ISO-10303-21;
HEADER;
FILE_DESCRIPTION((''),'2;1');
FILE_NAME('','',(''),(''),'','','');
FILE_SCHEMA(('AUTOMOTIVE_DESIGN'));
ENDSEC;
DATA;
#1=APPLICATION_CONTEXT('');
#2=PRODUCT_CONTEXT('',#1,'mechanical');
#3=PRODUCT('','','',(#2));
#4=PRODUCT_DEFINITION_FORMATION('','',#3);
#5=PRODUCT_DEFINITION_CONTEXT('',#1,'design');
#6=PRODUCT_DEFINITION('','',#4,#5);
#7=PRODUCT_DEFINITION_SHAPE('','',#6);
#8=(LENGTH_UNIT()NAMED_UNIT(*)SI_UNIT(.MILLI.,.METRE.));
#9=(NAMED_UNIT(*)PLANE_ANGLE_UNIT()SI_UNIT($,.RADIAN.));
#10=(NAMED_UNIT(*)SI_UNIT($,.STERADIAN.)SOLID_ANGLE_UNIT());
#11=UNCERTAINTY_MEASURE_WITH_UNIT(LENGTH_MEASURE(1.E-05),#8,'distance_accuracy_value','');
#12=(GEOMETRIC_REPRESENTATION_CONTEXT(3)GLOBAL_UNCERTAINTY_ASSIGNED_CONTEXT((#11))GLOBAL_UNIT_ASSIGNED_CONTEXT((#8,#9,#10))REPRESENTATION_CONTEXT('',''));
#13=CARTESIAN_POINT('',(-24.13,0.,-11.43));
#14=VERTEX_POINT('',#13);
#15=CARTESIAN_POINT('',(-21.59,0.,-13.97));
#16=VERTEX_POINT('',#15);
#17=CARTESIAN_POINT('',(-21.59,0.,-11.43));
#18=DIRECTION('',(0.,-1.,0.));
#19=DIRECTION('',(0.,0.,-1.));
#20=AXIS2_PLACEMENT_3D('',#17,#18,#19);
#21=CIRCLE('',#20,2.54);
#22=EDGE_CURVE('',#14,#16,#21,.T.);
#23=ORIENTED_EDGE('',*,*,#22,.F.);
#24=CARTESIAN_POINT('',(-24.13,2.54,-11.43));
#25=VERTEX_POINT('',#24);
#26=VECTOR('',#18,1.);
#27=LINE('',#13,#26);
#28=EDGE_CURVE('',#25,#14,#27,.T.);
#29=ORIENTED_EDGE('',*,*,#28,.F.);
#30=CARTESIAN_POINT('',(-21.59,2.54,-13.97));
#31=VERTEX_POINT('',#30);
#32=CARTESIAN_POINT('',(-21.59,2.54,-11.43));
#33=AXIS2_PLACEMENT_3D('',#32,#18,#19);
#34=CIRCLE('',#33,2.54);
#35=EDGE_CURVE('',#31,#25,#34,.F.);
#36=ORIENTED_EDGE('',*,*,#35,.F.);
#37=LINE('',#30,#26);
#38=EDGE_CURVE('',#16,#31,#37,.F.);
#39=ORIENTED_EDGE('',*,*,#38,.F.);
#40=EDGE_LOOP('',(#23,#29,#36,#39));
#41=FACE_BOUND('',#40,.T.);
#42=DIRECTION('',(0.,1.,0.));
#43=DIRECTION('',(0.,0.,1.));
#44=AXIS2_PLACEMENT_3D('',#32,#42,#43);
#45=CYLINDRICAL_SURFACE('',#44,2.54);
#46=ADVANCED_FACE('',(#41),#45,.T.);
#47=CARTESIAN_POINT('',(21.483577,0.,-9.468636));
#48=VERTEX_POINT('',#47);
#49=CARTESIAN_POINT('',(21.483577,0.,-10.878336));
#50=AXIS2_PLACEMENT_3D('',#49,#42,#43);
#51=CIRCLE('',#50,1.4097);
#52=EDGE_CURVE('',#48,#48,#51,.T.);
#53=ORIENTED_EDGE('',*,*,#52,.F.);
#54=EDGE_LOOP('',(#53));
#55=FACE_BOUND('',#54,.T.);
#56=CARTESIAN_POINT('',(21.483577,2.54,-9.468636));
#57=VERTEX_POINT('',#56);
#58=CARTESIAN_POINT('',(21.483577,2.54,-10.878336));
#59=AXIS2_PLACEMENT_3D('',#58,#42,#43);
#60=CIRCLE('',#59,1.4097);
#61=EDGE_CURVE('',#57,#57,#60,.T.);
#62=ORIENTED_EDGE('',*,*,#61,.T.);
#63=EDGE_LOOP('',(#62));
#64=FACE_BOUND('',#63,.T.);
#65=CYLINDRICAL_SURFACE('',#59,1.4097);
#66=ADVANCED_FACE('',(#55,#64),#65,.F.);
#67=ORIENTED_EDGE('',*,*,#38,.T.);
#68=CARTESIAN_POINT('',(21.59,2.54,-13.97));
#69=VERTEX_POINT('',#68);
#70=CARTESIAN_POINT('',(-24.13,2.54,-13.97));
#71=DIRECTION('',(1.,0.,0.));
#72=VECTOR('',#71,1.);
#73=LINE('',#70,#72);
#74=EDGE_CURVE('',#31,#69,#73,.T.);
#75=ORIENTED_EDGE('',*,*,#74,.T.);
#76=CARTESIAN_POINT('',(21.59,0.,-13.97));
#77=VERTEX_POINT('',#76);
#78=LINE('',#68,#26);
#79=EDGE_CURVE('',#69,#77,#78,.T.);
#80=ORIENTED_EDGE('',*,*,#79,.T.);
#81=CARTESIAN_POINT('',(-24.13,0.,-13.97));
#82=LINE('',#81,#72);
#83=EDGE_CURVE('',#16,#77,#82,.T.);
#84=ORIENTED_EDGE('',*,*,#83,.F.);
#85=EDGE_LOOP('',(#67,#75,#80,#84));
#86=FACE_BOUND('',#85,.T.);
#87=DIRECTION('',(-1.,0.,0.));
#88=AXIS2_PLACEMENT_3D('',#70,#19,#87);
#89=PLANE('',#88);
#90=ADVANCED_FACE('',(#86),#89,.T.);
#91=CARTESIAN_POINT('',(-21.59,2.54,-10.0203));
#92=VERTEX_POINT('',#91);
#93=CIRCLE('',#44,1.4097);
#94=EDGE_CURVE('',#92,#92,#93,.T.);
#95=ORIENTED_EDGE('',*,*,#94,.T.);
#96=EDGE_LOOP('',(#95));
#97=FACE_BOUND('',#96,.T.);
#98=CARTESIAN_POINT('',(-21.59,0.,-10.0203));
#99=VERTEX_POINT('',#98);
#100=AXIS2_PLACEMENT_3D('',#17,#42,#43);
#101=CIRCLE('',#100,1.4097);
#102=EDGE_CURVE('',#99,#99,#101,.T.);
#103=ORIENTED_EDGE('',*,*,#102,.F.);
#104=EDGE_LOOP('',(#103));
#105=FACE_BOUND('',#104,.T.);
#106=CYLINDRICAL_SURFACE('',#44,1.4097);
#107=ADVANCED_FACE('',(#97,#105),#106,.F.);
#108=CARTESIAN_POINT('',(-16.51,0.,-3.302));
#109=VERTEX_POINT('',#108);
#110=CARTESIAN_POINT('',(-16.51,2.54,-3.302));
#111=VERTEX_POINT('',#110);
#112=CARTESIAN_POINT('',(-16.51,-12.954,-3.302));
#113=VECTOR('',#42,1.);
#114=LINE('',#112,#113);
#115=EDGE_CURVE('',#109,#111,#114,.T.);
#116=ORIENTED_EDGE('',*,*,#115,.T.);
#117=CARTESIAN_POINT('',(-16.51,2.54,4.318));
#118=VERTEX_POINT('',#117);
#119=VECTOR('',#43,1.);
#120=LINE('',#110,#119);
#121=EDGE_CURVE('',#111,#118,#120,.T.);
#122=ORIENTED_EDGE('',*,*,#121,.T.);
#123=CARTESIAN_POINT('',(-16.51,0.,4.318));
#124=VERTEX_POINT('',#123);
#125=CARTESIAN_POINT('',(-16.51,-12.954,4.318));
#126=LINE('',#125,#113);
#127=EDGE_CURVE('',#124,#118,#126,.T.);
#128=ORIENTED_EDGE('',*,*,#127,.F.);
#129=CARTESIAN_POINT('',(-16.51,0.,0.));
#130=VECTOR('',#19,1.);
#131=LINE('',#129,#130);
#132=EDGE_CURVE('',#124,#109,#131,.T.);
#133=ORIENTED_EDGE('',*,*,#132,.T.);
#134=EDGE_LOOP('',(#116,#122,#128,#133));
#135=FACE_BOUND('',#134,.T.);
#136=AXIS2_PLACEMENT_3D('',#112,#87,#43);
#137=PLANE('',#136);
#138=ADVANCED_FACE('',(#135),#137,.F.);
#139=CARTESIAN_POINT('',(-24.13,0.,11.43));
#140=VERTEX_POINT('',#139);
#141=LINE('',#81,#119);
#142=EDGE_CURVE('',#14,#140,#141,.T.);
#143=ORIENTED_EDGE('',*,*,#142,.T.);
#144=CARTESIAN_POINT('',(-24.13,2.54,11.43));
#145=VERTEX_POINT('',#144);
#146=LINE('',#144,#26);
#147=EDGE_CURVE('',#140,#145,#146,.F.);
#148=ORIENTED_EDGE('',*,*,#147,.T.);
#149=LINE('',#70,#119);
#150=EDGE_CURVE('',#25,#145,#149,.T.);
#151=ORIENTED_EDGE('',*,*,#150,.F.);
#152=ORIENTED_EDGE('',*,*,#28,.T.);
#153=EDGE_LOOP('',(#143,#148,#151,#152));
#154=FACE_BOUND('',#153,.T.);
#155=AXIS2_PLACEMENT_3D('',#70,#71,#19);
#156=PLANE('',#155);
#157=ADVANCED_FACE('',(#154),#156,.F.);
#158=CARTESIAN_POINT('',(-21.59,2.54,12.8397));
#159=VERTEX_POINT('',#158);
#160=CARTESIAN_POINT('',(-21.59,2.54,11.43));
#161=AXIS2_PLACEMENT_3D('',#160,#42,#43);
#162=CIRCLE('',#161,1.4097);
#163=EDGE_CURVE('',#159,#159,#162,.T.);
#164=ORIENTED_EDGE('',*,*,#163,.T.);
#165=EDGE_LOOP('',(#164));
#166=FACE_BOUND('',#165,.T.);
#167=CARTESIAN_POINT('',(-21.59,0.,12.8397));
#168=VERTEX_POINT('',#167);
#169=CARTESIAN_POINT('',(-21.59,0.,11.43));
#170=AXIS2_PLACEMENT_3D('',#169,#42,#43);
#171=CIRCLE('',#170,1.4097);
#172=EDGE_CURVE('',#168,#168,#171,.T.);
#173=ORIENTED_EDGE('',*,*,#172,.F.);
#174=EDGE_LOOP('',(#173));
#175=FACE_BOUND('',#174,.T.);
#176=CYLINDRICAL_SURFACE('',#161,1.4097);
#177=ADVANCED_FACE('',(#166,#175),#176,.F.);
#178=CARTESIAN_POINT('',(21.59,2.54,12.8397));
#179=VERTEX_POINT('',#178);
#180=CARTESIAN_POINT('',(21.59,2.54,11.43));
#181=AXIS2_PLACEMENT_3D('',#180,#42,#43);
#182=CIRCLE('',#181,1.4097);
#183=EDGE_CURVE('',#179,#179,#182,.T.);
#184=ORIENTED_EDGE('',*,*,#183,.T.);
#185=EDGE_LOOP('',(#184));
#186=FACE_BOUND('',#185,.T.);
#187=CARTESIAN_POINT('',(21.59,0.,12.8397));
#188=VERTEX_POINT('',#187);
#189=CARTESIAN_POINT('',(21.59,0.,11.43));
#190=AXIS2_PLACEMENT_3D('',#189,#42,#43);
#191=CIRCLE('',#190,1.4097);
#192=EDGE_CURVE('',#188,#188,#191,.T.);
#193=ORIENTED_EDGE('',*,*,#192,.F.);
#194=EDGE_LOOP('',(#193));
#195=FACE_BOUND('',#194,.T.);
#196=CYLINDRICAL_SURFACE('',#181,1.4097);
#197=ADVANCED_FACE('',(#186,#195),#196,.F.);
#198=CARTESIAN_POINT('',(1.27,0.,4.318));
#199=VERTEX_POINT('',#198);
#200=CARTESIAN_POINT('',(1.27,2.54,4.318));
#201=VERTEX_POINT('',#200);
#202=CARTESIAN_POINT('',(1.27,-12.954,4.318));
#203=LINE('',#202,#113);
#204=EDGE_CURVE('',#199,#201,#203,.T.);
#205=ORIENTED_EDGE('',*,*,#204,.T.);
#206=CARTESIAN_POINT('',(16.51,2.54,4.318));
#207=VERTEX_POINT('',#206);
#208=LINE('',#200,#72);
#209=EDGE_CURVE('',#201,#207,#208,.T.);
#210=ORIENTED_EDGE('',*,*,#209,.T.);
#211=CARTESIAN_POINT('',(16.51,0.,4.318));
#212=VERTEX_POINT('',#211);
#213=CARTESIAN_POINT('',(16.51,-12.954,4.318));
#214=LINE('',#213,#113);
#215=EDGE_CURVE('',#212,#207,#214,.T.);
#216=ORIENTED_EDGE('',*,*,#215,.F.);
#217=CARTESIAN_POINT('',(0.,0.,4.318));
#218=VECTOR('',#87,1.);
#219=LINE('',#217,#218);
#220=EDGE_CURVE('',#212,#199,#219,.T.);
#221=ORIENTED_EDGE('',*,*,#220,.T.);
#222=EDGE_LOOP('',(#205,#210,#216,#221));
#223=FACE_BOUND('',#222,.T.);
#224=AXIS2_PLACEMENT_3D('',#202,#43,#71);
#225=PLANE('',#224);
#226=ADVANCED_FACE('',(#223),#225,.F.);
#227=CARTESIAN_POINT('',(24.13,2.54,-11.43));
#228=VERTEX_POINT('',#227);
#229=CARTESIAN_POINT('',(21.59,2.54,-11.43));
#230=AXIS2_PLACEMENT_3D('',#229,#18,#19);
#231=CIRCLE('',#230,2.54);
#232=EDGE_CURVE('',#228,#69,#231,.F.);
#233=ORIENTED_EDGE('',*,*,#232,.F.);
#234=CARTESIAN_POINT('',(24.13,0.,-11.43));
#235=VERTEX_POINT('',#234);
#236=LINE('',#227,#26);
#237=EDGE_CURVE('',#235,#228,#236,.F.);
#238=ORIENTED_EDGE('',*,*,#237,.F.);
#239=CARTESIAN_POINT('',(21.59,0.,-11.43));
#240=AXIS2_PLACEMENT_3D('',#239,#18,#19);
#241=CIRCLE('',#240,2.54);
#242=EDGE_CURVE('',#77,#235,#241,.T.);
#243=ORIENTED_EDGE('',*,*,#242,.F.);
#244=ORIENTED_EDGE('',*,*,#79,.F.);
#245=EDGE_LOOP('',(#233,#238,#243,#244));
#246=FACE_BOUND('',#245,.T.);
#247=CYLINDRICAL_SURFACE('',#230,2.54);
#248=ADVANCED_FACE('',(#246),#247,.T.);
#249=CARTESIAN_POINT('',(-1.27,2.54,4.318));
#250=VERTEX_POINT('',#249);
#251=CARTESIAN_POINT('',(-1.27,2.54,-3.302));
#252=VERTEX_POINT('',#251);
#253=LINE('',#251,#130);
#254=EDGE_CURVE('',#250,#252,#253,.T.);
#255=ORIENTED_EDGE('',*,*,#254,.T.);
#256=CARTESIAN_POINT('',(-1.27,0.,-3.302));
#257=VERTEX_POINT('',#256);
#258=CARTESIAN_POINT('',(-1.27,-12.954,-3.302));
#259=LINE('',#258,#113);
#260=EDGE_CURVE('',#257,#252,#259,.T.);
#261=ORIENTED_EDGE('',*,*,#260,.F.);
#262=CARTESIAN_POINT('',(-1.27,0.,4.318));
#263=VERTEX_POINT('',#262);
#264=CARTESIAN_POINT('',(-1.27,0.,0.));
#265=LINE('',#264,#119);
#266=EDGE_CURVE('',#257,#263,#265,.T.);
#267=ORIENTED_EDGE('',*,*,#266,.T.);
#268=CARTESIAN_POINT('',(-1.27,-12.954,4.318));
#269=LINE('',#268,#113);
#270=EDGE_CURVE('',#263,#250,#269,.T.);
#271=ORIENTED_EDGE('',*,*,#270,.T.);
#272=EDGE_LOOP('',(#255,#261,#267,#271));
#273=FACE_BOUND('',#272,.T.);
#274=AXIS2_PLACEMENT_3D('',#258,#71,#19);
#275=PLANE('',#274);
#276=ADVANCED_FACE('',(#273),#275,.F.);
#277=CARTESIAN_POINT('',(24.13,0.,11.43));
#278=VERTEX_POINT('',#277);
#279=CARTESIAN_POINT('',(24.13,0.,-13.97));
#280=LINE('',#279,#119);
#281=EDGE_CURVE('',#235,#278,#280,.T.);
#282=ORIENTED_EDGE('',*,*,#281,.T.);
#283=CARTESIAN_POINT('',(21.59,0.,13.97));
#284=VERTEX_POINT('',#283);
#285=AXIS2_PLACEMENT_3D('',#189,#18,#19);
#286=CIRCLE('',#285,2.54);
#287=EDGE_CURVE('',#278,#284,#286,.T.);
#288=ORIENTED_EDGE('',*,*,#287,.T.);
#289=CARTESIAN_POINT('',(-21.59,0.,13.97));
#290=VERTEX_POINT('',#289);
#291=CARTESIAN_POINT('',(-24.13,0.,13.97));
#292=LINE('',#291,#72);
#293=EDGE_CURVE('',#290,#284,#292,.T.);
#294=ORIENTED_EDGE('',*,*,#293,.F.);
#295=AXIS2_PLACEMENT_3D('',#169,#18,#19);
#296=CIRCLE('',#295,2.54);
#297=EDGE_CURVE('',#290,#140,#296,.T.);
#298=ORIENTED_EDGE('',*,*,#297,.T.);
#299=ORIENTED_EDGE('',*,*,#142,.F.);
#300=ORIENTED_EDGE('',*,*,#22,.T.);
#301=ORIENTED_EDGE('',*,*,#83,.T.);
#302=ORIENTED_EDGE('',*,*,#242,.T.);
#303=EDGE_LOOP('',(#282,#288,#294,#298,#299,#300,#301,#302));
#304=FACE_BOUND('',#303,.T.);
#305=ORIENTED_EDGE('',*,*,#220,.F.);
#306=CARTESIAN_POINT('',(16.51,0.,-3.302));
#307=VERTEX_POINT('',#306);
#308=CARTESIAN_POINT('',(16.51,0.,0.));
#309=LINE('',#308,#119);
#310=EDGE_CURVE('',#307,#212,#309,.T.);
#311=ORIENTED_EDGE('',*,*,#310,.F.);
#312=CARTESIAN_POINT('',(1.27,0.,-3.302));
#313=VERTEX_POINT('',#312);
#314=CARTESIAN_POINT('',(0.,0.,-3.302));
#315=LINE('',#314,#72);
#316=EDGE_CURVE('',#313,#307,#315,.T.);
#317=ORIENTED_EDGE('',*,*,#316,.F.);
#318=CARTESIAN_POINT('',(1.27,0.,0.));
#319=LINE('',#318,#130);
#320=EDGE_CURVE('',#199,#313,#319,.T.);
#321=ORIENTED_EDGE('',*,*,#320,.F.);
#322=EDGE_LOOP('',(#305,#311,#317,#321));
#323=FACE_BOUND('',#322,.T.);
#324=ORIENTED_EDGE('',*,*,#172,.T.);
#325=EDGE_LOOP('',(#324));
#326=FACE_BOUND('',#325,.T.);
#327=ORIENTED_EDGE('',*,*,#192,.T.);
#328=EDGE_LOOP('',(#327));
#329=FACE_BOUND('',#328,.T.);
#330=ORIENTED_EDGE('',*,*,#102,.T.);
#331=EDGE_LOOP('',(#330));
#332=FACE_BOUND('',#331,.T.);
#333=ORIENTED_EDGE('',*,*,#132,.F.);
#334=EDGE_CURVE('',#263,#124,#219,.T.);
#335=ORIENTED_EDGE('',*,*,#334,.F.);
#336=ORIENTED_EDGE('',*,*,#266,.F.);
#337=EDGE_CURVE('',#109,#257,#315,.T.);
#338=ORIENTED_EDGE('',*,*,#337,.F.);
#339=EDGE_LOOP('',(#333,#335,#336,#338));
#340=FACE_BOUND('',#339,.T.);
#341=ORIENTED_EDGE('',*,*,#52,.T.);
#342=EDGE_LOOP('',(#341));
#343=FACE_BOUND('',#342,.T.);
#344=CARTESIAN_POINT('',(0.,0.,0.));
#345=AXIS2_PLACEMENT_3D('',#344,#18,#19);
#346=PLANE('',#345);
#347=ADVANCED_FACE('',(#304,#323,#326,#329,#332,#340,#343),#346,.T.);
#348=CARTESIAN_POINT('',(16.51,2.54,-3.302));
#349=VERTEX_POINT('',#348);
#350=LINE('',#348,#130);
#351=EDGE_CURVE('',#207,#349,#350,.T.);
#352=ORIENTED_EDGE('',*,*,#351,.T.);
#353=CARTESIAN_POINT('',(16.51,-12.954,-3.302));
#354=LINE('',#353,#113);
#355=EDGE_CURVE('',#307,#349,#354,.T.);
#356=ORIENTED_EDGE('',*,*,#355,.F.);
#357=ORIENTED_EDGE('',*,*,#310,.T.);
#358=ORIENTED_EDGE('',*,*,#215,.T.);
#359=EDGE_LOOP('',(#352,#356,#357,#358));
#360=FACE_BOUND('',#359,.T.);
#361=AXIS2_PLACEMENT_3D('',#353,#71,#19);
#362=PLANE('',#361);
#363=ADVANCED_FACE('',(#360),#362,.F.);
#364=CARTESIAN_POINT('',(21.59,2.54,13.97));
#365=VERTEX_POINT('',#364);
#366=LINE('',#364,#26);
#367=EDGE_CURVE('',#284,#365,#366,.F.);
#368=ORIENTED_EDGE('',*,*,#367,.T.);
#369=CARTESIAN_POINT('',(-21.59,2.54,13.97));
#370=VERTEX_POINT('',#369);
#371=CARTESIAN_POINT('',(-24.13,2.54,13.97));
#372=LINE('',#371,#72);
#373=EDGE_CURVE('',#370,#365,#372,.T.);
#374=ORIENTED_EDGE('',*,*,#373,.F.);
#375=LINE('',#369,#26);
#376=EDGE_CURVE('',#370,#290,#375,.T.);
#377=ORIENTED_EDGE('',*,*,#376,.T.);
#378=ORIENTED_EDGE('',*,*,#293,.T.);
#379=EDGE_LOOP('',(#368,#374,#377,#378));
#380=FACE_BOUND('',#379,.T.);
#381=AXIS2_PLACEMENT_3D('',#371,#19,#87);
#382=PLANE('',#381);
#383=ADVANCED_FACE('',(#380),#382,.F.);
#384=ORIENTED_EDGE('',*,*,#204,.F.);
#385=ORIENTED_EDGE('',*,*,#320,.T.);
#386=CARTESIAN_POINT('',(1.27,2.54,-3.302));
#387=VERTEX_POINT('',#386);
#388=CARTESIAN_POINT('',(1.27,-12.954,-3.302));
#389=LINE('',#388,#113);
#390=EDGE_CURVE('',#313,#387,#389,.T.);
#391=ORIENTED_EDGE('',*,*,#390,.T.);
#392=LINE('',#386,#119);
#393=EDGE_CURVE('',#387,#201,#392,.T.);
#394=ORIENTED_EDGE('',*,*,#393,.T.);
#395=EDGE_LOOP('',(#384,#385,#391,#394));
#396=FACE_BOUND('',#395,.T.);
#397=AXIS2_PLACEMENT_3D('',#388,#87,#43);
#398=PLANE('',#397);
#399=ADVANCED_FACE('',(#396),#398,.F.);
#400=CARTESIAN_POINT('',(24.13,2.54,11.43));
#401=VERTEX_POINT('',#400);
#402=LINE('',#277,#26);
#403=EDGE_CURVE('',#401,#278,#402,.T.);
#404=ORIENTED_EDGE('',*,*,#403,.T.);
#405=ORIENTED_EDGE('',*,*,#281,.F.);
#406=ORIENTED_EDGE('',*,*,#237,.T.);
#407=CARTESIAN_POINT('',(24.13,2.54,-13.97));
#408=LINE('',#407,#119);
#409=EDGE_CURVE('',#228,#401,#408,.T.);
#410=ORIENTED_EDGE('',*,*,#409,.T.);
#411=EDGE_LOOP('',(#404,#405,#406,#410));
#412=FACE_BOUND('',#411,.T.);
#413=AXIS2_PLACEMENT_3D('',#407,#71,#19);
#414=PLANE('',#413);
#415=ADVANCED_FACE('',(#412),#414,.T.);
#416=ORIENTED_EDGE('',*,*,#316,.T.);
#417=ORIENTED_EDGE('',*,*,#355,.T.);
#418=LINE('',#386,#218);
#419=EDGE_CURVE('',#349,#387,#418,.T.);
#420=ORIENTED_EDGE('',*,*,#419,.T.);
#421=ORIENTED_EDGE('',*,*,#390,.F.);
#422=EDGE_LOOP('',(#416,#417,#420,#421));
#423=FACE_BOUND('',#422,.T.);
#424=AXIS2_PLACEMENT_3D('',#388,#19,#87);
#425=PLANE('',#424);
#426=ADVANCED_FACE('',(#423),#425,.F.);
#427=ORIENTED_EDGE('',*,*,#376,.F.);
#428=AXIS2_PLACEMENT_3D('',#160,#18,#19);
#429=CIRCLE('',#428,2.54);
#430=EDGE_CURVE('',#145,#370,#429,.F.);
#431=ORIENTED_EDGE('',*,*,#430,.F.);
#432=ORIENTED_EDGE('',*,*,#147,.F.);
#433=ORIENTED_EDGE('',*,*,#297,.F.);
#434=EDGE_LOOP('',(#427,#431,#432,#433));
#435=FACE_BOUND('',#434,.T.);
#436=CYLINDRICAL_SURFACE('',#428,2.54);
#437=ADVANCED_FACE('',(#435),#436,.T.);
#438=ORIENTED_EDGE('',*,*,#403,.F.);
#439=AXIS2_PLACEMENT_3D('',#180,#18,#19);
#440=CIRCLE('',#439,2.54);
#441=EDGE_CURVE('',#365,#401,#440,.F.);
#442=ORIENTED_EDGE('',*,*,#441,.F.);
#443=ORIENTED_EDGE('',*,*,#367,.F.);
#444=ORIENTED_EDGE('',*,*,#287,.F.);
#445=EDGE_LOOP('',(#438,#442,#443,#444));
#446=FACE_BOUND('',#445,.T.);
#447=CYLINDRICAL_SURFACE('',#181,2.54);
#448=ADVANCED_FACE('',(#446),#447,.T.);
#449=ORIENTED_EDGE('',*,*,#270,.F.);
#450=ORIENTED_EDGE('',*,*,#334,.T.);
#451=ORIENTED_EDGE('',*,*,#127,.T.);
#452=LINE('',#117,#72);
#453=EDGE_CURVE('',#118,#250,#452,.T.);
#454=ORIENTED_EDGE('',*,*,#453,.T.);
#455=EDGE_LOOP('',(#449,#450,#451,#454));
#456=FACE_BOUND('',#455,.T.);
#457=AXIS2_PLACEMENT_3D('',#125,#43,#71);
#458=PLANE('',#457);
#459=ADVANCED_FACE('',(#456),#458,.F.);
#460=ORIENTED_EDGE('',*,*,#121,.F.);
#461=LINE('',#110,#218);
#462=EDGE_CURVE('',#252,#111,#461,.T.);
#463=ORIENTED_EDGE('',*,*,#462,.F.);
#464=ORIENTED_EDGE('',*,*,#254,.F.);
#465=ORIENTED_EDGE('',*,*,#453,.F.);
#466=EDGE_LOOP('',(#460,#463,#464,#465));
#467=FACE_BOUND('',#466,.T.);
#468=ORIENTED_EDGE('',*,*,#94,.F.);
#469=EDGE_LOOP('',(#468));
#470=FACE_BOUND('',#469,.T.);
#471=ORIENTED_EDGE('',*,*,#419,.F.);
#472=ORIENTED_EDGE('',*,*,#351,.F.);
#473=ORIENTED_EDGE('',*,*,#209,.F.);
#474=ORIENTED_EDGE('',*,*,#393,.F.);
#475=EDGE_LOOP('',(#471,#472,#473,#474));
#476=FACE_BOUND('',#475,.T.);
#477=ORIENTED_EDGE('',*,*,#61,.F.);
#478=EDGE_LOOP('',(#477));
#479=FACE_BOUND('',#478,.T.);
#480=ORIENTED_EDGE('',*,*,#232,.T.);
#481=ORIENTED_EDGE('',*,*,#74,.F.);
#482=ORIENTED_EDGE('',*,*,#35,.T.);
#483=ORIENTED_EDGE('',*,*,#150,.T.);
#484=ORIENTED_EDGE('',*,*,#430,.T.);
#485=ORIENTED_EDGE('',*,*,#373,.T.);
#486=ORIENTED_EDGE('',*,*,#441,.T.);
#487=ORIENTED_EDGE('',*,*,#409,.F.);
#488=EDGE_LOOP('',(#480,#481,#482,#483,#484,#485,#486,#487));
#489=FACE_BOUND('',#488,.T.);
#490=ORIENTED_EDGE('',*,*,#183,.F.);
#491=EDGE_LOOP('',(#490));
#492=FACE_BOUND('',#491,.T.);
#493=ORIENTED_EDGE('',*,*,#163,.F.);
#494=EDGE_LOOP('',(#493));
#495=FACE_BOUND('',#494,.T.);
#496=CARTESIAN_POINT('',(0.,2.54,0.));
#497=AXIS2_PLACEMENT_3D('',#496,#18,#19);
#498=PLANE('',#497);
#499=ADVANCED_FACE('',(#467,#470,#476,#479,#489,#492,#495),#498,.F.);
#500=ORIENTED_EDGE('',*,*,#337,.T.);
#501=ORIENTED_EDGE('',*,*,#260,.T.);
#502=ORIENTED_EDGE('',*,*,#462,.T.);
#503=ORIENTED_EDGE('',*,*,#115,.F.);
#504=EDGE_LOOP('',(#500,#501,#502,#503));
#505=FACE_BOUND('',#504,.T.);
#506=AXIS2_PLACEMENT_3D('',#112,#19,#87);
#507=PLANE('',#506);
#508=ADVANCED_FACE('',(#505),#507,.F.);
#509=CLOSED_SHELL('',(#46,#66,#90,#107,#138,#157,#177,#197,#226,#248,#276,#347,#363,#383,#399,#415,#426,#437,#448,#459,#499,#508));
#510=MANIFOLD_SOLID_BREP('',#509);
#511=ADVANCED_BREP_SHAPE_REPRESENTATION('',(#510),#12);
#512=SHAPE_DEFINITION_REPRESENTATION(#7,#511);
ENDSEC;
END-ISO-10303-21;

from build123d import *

# Parameters (mm, degrees)
SKETCH1_W                   = 48.26
SKETCH1_H                   = 27.94
BOSS_EXTRUDE1_DEPTH         = 2.54
SKETCH2_W                   = 15.24
SKETCH2_H                   = 7.62
CUT_EXTRUDE1_DEPTH          = 15.494
FILLET1_R                   = 2.54
F_34_0_111_DIAMETER_HOLE1_D = 2.8194


with BuildPart() as part:
    # Sketch1 → Boss-Extrude1 (new body)
    with BuildSketch(Plane(origin=(0, 0, 0), x_dir=(1, 0, 0), z_dir=(0, 1, 0))):
        Rectangle(SKETCH1_W, SKETCH1_H)
    extrude(amount=BOSS_EXTRUDE1_DEPTH)

    # Sketch2 → Cut-Extrude1 (cut)
    with BuildSketch(Plane(origin=(0, 2.54, 0), x_dir=(1, 0, 0), z_dir=(0, 1, 0))):
        with Locations((-8.89, -0.508)):
            Rectangle(SKETCH2_W, SKETCH2_H)
        with Locations((8.89, -0.508)):
            Rectangle(SKETCH2_W, SKETCH2_H)
    extrude(amount=-CUT_EXTRUDE1_DEPTH, mode=Mode.SUBTRACT)

    # Fillet1
    fillet1_edges = [part.edges().sort_by_distance(p)[0] for p in [
        (-24.13, 1.27, 13.97),
        (-24.13, 1.27, -13.97),
        (24.13, 1.27, -13.97),
        (24.13, 1.27, 13.97),
    ]]
    fillet(fillet1_edges, radius=FILLET1_R)

    # #34 (0.111) Diameter Hole1 (through all)
    with Locations(Plane(origin=(0, 2.54, 0), x_dir=(1, 0, 0), z_dir=(0, 1, 0))):
        with Locations((21.483576639, 10.878336476), (21.59, -11.43), (-21.59, -11.43), (-21.59, 11.43)):
            Hole(F_34_0_111_DIAMETER_HOLE1_D / 2)


solid = part.part
